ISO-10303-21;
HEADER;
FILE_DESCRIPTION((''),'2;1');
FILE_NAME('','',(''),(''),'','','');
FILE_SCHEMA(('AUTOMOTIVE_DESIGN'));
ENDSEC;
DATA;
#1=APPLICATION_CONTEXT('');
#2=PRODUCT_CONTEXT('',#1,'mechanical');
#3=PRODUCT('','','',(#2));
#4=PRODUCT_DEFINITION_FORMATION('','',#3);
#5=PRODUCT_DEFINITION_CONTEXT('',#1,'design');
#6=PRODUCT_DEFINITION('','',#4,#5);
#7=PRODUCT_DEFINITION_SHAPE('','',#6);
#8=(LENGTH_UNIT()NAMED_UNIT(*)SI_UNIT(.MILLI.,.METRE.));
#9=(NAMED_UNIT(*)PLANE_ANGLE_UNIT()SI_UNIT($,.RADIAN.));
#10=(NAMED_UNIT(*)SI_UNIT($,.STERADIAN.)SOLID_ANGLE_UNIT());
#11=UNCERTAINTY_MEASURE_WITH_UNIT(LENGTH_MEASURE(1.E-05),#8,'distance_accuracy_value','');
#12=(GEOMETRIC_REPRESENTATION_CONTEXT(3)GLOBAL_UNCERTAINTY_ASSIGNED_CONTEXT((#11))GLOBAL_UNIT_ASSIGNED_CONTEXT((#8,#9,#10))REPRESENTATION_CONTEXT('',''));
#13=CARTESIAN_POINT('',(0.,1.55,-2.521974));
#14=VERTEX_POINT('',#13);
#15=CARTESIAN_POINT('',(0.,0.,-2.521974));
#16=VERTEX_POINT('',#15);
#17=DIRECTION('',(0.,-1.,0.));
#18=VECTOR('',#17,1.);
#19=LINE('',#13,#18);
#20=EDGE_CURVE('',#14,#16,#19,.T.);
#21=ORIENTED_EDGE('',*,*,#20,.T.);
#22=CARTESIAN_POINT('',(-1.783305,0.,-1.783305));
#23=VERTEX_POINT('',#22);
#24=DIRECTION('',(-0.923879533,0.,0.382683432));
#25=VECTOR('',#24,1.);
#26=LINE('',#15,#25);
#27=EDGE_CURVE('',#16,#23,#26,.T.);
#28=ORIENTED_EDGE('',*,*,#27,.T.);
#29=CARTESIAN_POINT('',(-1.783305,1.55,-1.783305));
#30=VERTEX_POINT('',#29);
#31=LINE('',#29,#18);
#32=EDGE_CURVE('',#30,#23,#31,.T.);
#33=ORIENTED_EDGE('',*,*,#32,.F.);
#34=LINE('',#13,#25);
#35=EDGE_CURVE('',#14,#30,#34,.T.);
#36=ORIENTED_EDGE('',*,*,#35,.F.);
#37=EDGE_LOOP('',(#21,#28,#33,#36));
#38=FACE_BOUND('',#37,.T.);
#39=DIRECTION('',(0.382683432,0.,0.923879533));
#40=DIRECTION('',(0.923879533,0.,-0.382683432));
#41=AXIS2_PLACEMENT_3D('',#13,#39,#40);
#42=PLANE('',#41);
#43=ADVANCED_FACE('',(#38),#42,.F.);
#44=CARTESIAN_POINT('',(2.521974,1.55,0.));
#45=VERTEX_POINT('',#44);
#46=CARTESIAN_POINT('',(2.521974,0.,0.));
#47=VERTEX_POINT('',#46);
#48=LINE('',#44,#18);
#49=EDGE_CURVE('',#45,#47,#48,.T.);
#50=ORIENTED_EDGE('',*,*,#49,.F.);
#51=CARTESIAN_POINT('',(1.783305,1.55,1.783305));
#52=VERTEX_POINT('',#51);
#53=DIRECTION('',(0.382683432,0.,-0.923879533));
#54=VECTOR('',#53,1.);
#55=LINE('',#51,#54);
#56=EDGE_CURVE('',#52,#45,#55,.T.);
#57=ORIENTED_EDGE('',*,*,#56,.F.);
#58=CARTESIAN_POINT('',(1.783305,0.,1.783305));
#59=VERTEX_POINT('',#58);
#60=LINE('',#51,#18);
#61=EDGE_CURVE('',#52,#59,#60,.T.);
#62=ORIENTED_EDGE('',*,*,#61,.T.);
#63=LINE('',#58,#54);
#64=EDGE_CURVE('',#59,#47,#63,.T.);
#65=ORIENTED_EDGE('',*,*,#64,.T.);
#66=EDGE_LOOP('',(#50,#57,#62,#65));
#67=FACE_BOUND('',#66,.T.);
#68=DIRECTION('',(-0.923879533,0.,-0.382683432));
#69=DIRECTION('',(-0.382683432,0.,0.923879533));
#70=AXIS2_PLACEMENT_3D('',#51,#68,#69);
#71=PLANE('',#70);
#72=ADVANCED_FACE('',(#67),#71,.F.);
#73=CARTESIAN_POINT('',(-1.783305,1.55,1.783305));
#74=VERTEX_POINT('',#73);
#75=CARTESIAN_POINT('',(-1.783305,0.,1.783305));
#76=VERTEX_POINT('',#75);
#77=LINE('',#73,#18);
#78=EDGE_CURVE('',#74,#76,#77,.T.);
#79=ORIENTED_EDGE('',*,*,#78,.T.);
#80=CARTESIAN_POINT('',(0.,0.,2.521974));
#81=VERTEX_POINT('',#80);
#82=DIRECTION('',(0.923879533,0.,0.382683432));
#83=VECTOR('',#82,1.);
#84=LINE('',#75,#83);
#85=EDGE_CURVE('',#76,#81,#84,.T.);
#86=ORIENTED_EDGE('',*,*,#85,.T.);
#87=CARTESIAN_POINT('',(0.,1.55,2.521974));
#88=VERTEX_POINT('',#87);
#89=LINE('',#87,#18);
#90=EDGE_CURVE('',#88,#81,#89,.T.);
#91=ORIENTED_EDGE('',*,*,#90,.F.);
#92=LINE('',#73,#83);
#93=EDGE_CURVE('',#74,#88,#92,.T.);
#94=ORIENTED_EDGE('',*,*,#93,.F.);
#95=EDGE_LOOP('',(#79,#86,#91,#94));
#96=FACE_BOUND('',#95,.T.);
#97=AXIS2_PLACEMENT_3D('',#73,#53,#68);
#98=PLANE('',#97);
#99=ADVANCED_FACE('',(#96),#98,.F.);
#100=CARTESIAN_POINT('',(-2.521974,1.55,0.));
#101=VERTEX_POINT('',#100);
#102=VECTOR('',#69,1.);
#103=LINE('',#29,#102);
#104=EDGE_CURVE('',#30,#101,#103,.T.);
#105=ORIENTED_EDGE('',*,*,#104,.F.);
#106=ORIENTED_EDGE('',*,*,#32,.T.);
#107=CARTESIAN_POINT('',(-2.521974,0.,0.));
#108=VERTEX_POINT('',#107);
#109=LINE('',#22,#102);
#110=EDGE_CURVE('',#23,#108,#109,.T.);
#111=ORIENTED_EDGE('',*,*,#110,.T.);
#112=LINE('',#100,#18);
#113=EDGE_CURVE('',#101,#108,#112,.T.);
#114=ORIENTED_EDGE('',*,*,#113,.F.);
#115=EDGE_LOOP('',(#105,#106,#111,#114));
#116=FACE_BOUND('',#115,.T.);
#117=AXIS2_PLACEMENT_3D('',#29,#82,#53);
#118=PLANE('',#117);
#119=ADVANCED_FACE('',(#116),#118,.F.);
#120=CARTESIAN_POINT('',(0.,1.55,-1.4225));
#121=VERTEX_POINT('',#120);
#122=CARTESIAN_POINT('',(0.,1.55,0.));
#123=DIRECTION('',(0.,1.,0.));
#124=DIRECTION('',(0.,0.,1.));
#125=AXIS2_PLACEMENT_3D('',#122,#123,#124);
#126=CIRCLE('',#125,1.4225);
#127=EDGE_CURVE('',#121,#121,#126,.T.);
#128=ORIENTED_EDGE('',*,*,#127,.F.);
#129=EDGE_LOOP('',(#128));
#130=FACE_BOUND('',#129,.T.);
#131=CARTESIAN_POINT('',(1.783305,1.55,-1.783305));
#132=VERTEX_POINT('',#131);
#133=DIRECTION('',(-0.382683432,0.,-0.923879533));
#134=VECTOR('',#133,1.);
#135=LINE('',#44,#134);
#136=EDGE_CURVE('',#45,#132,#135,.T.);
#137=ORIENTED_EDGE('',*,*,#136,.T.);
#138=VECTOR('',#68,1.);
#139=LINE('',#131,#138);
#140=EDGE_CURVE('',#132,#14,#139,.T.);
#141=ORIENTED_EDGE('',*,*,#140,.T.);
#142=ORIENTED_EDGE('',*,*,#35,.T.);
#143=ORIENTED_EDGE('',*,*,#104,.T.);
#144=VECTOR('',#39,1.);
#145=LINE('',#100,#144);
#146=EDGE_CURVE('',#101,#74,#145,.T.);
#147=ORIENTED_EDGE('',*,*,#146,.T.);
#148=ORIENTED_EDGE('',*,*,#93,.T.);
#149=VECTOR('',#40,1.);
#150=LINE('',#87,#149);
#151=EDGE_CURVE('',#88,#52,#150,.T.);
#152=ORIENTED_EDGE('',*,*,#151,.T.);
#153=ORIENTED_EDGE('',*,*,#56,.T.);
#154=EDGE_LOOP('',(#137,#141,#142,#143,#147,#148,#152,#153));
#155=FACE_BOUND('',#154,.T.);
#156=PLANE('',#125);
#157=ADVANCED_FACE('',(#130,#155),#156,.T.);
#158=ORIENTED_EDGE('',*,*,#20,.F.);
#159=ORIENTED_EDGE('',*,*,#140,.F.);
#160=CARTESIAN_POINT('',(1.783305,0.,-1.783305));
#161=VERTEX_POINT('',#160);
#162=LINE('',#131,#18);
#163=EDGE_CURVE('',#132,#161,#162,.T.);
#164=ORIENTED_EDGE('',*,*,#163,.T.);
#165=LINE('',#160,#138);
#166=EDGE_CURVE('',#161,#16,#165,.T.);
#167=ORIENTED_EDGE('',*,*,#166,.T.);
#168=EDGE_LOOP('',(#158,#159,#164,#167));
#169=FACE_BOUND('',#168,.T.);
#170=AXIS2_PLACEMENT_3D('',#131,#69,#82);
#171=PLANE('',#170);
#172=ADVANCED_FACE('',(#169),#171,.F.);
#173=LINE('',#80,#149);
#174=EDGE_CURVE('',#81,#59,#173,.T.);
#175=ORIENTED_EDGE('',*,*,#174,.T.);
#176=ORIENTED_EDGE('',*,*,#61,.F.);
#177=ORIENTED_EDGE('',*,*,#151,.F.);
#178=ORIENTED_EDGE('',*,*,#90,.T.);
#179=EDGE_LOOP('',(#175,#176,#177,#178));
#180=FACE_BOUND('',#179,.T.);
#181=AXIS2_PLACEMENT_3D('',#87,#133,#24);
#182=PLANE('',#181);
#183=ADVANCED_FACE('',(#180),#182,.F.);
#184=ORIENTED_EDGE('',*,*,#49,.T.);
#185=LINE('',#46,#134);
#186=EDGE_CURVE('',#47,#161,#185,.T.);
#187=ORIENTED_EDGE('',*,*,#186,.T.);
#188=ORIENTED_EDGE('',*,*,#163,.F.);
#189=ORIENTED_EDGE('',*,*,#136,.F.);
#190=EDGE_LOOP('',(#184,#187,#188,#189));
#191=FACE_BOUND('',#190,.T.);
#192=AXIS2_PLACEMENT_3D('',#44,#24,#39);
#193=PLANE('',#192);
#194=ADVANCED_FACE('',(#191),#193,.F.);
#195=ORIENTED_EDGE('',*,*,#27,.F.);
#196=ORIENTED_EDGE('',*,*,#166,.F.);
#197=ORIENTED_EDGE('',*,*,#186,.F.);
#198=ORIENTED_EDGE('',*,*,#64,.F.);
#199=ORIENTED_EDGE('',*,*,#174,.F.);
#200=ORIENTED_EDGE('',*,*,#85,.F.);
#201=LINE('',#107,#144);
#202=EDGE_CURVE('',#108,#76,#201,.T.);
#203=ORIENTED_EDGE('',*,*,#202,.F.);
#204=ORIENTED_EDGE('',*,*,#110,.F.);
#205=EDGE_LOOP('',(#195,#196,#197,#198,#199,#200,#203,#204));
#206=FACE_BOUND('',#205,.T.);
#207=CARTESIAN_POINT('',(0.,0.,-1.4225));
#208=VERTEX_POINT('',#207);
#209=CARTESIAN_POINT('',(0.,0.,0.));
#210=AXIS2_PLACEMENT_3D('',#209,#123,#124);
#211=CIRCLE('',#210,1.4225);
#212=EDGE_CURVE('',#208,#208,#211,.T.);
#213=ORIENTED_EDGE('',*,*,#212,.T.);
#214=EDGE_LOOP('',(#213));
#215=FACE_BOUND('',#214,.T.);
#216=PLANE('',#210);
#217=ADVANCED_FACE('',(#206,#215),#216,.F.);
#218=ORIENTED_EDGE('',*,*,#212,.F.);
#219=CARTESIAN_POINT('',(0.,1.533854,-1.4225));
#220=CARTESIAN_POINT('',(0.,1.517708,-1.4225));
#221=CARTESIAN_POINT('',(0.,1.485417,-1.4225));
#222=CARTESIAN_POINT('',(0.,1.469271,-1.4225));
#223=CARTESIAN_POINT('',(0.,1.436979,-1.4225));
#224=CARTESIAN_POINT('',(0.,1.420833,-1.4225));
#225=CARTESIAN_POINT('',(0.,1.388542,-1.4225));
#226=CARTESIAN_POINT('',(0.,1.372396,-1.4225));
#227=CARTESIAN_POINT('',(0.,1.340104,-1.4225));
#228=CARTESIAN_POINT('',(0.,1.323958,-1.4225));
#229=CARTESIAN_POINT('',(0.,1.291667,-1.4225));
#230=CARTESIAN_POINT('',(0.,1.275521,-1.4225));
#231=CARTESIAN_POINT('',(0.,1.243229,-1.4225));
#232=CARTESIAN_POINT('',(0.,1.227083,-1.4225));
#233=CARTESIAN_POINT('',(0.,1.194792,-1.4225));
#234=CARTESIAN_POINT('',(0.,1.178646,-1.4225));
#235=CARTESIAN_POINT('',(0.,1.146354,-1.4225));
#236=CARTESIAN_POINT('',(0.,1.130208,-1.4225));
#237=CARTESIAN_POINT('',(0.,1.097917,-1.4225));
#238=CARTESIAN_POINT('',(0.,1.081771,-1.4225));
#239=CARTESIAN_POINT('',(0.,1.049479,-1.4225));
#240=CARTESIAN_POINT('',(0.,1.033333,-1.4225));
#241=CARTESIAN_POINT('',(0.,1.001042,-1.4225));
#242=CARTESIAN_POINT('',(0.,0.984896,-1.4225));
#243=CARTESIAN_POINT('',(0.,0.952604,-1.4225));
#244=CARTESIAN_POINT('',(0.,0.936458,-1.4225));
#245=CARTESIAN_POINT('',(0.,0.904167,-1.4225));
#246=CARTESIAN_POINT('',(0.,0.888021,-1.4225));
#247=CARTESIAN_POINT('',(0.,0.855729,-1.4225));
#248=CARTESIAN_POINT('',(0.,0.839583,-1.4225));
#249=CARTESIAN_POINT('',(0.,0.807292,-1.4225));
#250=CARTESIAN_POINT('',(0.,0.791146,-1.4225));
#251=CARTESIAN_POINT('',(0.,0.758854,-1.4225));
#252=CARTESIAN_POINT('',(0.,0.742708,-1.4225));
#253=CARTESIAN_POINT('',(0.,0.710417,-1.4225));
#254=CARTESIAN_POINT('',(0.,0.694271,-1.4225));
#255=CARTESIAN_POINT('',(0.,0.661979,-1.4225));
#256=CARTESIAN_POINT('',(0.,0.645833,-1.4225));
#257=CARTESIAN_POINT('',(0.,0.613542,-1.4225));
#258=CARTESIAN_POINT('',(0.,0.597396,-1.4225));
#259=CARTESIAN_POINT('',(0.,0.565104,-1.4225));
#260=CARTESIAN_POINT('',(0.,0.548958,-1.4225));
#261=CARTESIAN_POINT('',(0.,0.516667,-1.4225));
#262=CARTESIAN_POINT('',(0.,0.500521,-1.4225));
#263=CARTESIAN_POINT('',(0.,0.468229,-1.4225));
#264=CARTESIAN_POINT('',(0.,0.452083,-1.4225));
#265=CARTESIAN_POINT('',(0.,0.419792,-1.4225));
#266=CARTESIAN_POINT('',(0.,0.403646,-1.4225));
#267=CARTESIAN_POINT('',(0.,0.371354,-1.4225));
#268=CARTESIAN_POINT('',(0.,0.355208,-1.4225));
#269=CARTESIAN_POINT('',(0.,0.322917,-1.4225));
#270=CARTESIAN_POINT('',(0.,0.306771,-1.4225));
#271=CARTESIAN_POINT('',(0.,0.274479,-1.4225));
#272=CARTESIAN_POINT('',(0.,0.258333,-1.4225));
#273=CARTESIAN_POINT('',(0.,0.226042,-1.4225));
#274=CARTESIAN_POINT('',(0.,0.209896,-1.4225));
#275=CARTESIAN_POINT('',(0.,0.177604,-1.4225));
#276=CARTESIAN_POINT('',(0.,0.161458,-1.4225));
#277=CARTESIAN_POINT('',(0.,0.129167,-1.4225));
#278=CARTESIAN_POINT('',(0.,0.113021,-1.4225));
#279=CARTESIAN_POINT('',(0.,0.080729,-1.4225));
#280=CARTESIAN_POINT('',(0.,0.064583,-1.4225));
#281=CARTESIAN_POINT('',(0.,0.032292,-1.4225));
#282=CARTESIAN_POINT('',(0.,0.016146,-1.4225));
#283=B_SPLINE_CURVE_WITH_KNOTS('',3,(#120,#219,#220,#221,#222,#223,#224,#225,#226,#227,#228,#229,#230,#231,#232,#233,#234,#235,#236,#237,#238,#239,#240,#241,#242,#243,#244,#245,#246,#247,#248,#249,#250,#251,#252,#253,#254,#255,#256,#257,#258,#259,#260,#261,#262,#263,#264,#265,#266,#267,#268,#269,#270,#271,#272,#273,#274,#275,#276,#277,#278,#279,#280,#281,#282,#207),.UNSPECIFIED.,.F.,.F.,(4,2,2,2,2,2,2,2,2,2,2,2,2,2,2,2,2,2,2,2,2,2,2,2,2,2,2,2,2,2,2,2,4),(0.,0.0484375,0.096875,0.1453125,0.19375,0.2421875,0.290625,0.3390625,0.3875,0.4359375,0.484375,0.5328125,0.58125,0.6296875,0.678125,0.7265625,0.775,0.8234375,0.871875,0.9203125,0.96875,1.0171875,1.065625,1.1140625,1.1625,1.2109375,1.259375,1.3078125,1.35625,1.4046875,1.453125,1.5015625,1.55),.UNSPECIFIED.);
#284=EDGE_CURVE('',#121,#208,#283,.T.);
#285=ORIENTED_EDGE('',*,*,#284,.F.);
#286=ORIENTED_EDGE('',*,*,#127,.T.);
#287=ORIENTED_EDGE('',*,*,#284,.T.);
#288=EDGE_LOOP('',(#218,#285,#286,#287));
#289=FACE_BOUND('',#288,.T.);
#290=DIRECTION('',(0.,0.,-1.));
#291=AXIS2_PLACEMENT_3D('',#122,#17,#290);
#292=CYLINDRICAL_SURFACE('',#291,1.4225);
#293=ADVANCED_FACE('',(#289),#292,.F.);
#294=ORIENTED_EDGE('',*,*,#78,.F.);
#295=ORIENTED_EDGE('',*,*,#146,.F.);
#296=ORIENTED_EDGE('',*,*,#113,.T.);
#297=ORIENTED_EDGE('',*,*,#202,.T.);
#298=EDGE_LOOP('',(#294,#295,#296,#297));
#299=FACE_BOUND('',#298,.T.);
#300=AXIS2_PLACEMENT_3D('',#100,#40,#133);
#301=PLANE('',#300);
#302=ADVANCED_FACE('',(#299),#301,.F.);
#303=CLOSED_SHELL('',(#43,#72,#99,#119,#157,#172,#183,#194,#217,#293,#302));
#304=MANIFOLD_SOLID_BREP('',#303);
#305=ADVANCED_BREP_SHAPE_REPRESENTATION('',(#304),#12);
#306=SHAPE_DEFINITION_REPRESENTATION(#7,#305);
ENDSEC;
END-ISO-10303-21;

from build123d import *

# Parameters (mm, degrees)
SKETCH1_R           = 1.4225
BOSS_EXTRUDE1_DEPTH = 1.55


with BuildPart() as part:
    # Sketch1 → Boss-Extrude1 (new body)
    with BuildSketch(Plane(origin=(0, 0, 0), x_dir=(1, 0, 0), z_dir=(0, 1, 0))):
        Polygon((2.521973827, 0), (1.783304795, 1.783304795), (0, 2.521973827), (-1.783304795, 1.783304795), (-2.521973827, 0), (-1.783304795, -1.783304795), (0, -2.521973827), (1.783304795, -1.783304795), align=None)
        with Locations(Location((0, 0, 0), (0, 0, 90))):
            Circle(SKETCH1_R, mode=Mode.SUBTRACT)
    extrude(amount=BOSS_EXTRUDE1_DEPTH)


solid = part.part
